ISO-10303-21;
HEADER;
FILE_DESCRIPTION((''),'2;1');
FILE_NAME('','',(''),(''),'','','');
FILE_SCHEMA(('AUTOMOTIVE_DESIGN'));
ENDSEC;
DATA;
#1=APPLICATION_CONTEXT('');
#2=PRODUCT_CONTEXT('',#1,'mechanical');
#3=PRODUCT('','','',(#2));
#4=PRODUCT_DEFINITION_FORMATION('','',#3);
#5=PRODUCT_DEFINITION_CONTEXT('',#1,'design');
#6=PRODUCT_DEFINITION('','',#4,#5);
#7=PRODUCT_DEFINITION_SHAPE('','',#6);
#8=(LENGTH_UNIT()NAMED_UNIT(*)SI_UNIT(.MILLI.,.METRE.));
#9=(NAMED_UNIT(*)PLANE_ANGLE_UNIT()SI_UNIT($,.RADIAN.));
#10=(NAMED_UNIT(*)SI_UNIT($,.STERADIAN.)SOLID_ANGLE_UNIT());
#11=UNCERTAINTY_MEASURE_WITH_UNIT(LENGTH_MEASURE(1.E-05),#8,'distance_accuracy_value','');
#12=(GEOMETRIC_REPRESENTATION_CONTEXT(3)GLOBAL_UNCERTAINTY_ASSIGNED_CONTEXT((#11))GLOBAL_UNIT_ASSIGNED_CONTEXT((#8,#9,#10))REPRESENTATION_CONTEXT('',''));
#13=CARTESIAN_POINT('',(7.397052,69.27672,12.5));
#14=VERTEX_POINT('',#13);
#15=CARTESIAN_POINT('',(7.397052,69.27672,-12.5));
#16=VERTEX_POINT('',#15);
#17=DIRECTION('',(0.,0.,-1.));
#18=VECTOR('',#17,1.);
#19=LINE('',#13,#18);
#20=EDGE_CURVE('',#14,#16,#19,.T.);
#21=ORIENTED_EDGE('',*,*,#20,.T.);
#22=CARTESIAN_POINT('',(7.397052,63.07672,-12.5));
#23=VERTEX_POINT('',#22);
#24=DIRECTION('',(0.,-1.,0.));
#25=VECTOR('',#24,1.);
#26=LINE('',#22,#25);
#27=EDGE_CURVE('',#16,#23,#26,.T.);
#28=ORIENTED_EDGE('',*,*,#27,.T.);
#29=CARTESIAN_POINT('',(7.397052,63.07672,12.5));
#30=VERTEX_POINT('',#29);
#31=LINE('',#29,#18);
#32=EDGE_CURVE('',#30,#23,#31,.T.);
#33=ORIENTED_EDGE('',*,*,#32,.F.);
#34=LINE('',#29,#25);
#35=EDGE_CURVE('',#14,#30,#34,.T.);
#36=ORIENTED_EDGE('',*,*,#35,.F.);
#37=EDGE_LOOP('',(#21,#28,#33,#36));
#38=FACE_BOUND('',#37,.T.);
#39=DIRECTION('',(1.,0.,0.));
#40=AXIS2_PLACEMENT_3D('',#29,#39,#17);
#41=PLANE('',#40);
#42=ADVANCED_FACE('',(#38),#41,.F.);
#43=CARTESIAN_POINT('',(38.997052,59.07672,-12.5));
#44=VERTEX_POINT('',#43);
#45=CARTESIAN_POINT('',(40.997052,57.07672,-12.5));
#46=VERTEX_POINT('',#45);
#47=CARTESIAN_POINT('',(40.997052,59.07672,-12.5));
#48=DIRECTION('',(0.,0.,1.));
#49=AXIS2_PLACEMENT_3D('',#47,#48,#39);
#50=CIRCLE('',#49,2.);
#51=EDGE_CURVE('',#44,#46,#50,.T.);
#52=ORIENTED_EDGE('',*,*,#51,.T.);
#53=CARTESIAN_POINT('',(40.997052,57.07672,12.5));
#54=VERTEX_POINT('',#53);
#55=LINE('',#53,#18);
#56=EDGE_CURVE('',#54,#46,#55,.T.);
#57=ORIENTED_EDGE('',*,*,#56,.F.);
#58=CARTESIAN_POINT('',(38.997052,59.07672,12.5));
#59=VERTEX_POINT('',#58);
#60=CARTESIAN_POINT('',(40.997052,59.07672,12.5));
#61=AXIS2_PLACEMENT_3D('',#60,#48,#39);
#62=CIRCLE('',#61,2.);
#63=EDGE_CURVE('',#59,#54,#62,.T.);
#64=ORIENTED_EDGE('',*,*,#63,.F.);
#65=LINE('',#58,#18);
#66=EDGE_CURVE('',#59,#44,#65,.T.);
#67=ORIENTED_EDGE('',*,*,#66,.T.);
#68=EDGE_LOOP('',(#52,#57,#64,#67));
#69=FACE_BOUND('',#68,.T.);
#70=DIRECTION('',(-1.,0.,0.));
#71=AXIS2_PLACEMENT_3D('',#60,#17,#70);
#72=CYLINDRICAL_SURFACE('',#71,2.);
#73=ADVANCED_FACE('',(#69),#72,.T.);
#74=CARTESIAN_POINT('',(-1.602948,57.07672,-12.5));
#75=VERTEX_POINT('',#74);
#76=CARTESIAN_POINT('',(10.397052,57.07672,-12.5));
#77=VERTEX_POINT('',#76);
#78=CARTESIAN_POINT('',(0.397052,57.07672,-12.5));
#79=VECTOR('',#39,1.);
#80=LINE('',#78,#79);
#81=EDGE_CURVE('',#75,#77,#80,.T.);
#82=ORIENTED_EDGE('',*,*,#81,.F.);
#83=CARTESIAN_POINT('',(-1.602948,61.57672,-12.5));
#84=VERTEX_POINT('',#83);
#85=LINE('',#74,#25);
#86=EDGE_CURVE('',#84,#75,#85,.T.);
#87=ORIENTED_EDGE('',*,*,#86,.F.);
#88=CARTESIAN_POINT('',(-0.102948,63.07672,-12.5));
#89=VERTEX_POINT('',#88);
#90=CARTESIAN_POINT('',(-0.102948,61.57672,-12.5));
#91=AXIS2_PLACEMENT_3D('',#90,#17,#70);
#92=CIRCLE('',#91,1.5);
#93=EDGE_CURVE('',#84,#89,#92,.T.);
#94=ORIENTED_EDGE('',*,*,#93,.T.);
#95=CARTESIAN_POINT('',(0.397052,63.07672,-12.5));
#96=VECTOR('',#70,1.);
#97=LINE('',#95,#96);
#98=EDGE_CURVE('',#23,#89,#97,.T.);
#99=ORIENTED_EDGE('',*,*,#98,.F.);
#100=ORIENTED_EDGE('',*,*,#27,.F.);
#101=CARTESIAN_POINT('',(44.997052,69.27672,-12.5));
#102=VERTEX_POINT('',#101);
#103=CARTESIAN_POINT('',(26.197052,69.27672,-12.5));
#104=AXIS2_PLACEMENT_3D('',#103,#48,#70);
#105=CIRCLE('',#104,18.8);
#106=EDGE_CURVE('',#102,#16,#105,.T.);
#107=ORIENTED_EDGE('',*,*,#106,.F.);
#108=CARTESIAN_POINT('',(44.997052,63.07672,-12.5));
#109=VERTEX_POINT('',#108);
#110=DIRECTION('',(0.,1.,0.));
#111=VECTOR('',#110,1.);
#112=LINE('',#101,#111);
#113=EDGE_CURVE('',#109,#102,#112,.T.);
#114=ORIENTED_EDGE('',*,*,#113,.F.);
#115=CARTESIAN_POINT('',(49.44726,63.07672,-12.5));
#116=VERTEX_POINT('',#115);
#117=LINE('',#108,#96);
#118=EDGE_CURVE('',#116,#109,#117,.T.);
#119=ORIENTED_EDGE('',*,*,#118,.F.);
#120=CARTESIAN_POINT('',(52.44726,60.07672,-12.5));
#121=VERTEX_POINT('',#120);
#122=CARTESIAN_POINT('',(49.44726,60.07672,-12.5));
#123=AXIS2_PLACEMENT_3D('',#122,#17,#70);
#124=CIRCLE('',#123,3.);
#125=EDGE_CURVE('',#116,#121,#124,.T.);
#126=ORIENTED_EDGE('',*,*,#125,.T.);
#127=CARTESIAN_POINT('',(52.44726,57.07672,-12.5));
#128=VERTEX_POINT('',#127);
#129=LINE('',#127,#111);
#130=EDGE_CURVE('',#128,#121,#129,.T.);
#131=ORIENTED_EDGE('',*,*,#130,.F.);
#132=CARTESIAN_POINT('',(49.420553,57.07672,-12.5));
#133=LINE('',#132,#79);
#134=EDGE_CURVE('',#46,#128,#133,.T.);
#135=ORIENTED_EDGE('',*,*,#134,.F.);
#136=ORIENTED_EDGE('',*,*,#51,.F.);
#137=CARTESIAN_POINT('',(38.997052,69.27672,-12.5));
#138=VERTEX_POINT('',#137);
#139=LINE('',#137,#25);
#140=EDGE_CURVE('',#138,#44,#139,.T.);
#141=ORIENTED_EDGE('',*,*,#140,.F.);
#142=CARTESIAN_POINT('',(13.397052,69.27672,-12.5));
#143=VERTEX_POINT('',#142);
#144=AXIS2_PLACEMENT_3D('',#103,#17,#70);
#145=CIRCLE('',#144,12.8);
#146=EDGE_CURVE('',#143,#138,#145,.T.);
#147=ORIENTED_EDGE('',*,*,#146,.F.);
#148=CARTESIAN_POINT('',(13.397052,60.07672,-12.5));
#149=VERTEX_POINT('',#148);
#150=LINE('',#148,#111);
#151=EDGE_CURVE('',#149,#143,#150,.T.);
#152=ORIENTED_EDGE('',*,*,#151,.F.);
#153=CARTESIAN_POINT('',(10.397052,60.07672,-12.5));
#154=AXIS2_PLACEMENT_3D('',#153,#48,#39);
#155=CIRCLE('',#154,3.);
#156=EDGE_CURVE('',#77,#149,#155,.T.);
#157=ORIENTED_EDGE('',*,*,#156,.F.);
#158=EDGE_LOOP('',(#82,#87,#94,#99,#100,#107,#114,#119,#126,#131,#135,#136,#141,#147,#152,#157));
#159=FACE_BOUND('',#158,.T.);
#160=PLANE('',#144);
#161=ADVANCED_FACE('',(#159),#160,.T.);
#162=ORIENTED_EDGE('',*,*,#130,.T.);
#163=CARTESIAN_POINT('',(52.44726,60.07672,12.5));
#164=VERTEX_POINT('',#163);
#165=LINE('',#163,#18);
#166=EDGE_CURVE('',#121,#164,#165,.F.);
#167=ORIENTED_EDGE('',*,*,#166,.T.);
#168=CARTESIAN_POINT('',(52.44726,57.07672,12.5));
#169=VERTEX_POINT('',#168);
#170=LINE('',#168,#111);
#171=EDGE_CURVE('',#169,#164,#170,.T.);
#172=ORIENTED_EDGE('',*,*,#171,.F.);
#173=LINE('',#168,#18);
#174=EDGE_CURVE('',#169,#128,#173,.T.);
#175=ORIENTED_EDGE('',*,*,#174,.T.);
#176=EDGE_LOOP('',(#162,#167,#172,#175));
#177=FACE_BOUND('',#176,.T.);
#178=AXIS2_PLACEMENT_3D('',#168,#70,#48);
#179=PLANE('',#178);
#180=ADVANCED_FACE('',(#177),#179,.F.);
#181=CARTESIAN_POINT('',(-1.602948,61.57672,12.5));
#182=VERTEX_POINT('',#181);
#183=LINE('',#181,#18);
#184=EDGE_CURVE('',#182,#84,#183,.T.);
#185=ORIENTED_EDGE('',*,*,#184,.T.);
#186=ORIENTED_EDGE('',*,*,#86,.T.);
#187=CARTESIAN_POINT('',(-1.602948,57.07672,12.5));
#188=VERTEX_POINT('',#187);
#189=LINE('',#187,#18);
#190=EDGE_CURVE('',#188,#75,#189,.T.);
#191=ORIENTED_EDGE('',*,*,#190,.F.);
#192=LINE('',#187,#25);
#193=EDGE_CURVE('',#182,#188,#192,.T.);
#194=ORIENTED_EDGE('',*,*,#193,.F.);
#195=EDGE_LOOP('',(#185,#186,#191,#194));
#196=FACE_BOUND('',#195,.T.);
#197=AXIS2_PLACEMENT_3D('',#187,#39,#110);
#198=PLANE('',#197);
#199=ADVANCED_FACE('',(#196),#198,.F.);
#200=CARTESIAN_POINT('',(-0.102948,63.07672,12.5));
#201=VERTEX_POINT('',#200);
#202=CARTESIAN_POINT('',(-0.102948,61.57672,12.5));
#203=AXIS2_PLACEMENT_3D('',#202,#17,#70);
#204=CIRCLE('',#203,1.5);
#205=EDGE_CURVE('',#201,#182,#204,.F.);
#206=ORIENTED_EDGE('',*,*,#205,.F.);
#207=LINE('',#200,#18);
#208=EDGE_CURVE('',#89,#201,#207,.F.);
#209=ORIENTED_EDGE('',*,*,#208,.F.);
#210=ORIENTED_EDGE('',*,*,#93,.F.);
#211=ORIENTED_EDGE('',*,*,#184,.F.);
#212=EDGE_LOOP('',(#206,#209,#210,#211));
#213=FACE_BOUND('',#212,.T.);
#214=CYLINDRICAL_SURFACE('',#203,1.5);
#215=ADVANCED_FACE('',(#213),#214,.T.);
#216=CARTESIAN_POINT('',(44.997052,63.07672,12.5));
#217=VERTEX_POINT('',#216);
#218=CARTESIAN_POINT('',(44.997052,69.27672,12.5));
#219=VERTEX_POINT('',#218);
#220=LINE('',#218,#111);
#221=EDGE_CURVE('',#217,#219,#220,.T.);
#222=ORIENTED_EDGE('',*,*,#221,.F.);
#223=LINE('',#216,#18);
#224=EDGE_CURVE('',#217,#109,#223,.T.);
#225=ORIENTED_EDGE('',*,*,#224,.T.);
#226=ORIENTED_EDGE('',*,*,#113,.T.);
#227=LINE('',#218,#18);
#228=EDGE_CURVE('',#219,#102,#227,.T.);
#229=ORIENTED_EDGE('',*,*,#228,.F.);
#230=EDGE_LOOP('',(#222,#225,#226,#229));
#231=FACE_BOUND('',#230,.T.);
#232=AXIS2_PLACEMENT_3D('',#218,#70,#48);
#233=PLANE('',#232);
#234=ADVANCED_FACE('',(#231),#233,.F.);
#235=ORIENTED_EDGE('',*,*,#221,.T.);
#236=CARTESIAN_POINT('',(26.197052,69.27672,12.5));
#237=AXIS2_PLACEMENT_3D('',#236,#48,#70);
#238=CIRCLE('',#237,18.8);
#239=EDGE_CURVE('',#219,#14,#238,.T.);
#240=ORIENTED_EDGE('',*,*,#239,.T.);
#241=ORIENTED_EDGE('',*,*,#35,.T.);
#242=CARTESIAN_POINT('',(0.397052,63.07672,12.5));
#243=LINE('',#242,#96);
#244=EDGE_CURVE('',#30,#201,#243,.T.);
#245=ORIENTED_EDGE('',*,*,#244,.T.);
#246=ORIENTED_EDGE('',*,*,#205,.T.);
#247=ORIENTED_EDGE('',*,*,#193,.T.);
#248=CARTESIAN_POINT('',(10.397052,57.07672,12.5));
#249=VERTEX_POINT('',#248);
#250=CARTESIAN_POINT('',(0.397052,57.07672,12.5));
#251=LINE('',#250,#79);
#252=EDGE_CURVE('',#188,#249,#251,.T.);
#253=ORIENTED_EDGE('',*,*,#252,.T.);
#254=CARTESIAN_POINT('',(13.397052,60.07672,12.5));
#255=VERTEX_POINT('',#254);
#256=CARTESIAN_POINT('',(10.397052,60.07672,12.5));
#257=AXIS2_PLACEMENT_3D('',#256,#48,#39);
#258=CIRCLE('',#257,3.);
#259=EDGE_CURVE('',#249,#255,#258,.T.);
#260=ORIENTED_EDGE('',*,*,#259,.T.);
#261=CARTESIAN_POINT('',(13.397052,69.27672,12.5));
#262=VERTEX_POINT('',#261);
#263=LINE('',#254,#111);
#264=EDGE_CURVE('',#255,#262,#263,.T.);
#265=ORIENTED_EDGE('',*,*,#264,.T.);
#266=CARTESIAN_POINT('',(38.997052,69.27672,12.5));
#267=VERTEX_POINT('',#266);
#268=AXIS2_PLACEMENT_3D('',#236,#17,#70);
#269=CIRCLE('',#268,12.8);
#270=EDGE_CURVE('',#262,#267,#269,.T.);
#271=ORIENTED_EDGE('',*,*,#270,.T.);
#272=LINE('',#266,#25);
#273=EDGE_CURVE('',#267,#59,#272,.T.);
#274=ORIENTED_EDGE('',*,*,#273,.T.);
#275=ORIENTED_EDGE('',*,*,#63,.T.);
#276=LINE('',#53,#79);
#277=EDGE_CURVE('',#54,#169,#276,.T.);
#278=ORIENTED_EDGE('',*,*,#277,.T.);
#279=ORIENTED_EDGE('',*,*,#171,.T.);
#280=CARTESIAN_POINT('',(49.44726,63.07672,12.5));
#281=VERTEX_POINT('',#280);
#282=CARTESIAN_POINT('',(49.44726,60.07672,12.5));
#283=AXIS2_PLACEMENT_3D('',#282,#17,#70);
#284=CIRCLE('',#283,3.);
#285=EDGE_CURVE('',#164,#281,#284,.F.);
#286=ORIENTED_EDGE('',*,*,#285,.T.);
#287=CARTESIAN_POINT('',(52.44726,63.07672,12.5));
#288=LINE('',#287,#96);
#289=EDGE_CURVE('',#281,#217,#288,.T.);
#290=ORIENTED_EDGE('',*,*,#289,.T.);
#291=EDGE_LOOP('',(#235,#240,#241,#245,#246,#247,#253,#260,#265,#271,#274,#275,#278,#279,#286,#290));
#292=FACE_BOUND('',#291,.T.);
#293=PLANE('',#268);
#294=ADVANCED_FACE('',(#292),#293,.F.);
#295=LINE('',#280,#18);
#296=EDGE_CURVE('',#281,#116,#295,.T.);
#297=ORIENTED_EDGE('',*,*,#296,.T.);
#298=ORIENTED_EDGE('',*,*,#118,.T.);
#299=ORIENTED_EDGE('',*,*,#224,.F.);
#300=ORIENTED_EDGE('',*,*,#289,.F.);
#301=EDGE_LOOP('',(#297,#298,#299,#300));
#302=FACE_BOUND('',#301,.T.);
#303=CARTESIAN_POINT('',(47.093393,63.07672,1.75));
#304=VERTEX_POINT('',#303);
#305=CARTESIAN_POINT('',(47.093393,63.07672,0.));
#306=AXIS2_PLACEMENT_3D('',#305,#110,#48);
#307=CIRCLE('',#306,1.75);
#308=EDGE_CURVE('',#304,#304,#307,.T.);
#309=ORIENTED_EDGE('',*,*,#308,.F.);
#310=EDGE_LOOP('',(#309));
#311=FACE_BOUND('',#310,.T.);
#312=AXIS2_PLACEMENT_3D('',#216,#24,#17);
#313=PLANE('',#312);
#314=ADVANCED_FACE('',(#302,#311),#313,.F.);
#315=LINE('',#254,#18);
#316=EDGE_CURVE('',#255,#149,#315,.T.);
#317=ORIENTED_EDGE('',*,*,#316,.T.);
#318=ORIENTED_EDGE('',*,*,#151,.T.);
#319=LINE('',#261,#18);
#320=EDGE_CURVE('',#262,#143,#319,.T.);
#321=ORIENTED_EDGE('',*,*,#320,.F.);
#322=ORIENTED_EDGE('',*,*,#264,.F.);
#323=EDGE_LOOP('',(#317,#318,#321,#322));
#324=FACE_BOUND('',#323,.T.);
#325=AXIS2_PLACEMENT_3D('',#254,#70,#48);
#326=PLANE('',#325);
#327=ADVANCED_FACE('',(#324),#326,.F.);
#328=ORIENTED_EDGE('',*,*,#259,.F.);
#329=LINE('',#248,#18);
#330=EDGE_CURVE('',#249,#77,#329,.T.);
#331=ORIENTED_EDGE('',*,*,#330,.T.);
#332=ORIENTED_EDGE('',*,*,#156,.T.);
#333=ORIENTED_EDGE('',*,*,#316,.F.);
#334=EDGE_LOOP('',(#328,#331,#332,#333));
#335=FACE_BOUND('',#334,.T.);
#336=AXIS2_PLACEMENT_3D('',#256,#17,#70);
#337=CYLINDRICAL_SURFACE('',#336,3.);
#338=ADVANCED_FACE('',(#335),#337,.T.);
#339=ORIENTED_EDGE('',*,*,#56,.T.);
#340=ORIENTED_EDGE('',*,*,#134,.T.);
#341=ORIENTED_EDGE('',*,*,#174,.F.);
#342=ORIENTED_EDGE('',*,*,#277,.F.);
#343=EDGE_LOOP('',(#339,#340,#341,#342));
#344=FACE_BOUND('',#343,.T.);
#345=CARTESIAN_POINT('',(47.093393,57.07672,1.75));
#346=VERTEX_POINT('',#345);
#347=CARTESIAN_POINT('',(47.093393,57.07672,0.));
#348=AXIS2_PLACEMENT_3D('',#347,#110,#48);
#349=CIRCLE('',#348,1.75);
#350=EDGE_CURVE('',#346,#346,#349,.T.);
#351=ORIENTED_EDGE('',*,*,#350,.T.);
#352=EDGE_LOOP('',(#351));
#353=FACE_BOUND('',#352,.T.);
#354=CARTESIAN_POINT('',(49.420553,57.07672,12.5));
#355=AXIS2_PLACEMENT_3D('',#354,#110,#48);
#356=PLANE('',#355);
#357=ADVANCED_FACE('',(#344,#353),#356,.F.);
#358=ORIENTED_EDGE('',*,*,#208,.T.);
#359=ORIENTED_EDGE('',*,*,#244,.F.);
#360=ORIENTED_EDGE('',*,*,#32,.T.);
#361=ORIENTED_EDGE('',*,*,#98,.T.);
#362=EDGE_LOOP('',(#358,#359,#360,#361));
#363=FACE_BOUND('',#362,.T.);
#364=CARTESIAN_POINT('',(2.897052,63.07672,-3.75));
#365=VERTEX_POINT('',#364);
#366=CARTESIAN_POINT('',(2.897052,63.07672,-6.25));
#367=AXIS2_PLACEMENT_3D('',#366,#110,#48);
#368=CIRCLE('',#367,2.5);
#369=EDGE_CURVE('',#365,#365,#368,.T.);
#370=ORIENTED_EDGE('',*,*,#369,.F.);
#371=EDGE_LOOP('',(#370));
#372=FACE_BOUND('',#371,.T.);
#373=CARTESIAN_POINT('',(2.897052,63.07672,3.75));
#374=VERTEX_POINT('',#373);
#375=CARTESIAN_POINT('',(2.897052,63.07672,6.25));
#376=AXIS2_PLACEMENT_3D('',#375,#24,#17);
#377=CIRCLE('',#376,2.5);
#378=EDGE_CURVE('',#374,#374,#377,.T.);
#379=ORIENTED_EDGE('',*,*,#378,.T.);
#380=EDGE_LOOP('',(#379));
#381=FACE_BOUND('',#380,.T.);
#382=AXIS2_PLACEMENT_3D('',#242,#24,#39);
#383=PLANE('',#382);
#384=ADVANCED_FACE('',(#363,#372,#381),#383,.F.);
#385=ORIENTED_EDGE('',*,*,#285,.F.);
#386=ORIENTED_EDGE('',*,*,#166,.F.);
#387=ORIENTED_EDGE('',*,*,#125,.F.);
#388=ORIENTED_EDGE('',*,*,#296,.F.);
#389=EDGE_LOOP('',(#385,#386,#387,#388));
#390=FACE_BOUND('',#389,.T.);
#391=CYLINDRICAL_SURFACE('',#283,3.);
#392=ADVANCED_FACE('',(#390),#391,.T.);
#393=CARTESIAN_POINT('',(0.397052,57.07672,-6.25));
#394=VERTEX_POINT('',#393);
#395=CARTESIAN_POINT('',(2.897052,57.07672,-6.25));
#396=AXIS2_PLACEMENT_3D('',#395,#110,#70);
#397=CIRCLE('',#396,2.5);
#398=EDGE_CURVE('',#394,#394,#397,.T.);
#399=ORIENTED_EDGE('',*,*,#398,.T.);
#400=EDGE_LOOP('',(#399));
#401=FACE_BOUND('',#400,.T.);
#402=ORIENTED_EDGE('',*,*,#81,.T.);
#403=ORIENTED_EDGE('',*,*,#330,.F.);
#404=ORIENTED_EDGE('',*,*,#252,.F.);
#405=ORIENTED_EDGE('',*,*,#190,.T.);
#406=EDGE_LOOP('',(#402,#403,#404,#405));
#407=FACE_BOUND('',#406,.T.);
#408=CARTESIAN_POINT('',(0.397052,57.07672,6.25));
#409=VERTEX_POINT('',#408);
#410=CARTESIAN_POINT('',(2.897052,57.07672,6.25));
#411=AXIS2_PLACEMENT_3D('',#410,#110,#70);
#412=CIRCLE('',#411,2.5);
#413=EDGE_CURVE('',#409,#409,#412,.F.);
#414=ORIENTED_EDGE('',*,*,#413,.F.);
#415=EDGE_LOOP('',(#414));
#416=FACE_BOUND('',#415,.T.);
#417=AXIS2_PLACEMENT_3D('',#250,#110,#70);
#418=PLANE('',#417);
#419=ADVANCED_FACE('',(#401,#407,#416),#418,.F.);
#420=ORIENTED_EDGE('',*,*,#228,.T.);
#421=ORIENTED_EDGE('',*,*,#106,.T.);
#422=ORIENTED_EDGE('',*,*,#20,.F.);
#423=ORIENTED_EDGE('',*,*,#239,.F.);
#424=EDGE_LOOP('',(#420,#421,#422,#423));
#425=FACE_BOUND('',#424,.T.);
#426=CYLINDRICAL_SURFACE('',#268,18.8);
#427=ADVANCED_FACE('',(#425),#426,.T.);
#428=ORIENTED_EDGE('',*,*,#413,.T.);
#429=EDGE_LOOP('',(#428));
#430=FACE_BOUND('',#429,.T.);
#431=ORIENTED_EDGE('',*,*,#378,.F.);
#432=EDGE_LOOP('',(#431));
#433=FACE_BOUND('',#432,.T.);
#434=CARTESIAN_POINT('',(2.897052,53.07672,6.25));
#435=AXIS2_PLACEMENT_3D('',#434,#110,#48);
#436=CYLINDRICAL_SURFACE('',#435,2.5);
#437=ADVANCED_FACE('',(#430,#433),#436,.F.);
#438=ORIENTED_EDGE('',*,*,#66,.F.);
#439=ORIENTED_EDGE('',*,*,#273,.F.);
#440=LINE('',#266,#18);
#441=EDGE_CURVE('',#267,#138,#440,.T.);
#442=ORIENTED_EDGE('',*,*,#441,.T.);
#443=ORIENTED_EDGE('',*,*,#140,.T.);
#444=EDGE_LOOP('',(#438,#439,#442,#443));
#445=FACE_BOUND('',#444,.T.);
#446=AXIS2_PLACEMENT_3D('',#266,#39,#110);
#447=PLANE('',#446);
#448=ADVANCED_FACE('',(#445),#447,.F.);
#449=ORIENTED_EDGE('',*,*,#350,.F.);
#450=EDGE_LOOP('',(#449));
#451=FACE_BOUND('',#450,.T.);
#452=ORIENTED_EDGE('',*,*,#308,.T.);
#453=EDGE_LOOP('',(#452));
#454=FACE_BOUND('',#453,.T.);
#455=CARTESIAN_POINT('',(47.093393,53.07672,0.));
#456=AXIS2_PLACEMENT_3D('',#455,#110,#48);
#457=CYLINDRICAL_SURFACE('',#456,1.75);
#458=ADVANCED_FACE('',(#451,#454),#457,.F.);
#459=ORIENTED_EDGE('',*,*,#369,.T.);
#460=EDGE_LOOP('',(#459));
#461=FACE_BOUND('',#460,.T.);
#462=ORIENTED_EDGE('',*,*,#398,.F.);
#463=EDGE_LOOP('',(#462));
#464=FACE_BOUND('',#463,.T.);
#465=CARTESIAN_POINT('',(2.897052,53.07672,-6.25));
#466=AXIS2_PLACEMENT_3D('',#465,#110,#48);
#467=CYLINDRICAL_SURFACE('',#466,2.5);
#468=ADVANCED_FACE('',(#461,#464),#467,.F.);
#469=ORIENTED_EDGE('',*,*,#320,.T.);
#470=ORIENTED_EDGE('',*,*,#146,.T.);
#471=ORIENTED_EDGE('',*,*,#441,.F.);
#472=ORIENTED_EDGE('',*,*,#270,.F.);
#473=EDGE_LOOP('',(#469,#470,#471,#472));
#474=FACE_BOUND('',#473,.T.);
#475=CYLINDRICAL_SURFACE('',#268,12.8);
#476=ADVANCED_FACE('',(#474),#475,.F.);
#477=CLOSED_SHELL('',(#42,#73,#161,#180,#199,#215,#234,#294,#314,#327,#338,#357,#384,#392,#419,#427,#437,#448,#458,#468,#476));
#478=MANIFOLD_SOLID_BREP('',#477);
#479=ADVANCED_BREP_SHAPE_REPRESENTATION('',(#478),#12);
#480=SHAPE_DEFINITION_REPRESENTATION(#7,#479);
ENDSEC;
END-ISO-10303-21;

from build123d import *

# Parameters (mm, degrees)
BOSS_EXTRU_1_DEPTH      = 12.5
ESQUISSE2_R             = 2.5
ESQUISSE2_R_2           = 1.75
ENL_V_MAT_EXTRU_1_DEPTH = 10
CONG_4_R                = 3
CONG_5_R                = 1.5


with BuildPart() as part:
    # Esquisse1 → Boss.-Extru.1 (new, symmetric)
    with BuildSketch(Plane.XY):
        with BuildLine():
            Line((0.397051683, 57.076719782), (10.397051683, 57.076719782))
            ThreePointArc((10.397051683, 57.076719782), (12.518372027, 57.955399438), (13.397051683, 60.076719782))
            Line((13.397051683, 60.076719782), (13.397051683, 69.276719782))
            ThreePointArc((13.397051683, 69.276719782), (26.197051683, 82.076719782), (38.997051683, 69.276719782))
            Line((38.997051683, 69.276719782), (38.997051683, 59.076719782))
            ThreePointArc((38.997051683, 59.076719782), (39.582838121, 57.662506219), (40.997051683, 57.076719782))
            Line((40.997051683, 57.076719782), (49.420552909, 57.076719782))
            Line((49.420552909, 57.076719782), (52.447260314, 57.076719782))
            Line((52.447260314, 57.076719782), (52.447260314, 63.076719782))
            Line((52.447260314, 63.076719782), (49.420552909, 63.076719782))
            Line((49.420552909, 63.076719782), (44.997051683, 63.076719782))
            Line((44.997051683, 63.076719782), (44.997051683, 69.276719782))
            ThreePointArc((44.997051683, 69.276719782), (26.197051683, 88.076719782), (7.397051683, 69.276719782))
            Line((7.397051683, 69.276719782), (7.397051683, 63.076719782))
            Line((7.397051683, 63.076719782), (0.397051683, 63.076719782))
            Line((0.397051683, 63.076719782), (-1.602948317, 63.076719782))
            Line((-1.602948317, 63.076719782), (-1.602948317, 57.076719782))
            Line((-1.602948317, 57.076719782), (0.397051683, 57.076719782))
        make_face()
    extrude(amount=BOSS_EXTRU_1_DEPTH, both=True)

    # Esquisse2 → Enlèv. mat.-Extru.1 (cut)
    with BuildSketch(Plane(origin=(0, 63.076719782, 0), x_dir=(1, 0, 0), z_dir=(0, 1, 0))):
        with Locations(Location((2.897051683, 6.25, 0), (0, 0, 270))):
            Circle(ESQUISSE2_R)
        with Locations(Location((2.897051683, -6.25, 0), (0, 0, 180))):
            Circle(ESQUISSE2_R)
        with Locations(Location((47.0933932, 0, 0), (0, 0, 270))):
            Circle(ESQUISSE2_R_2)
    extrude(amount=-ENL_V_MAT_EXTRU_1_DEPTH, mode=Mode.SUBTRACT)

    # Congé4
    cong_4_edges = [part.edges().sort_by_distance(p)[0] for p in [
        (52.447260314, 63.076719782, 0),
    ]]
    fillet(cong_4_edges, radius=CONG_4_R)

    # Congé5
    cong_5_edges = [part.edges().sort_by_distance(p)[0] for p in [
        (-1.602948317, 63.076719782, 0),
    ]]
    fillet(cong_5_edges, radius=CONG_5_R)


solid = part.part
